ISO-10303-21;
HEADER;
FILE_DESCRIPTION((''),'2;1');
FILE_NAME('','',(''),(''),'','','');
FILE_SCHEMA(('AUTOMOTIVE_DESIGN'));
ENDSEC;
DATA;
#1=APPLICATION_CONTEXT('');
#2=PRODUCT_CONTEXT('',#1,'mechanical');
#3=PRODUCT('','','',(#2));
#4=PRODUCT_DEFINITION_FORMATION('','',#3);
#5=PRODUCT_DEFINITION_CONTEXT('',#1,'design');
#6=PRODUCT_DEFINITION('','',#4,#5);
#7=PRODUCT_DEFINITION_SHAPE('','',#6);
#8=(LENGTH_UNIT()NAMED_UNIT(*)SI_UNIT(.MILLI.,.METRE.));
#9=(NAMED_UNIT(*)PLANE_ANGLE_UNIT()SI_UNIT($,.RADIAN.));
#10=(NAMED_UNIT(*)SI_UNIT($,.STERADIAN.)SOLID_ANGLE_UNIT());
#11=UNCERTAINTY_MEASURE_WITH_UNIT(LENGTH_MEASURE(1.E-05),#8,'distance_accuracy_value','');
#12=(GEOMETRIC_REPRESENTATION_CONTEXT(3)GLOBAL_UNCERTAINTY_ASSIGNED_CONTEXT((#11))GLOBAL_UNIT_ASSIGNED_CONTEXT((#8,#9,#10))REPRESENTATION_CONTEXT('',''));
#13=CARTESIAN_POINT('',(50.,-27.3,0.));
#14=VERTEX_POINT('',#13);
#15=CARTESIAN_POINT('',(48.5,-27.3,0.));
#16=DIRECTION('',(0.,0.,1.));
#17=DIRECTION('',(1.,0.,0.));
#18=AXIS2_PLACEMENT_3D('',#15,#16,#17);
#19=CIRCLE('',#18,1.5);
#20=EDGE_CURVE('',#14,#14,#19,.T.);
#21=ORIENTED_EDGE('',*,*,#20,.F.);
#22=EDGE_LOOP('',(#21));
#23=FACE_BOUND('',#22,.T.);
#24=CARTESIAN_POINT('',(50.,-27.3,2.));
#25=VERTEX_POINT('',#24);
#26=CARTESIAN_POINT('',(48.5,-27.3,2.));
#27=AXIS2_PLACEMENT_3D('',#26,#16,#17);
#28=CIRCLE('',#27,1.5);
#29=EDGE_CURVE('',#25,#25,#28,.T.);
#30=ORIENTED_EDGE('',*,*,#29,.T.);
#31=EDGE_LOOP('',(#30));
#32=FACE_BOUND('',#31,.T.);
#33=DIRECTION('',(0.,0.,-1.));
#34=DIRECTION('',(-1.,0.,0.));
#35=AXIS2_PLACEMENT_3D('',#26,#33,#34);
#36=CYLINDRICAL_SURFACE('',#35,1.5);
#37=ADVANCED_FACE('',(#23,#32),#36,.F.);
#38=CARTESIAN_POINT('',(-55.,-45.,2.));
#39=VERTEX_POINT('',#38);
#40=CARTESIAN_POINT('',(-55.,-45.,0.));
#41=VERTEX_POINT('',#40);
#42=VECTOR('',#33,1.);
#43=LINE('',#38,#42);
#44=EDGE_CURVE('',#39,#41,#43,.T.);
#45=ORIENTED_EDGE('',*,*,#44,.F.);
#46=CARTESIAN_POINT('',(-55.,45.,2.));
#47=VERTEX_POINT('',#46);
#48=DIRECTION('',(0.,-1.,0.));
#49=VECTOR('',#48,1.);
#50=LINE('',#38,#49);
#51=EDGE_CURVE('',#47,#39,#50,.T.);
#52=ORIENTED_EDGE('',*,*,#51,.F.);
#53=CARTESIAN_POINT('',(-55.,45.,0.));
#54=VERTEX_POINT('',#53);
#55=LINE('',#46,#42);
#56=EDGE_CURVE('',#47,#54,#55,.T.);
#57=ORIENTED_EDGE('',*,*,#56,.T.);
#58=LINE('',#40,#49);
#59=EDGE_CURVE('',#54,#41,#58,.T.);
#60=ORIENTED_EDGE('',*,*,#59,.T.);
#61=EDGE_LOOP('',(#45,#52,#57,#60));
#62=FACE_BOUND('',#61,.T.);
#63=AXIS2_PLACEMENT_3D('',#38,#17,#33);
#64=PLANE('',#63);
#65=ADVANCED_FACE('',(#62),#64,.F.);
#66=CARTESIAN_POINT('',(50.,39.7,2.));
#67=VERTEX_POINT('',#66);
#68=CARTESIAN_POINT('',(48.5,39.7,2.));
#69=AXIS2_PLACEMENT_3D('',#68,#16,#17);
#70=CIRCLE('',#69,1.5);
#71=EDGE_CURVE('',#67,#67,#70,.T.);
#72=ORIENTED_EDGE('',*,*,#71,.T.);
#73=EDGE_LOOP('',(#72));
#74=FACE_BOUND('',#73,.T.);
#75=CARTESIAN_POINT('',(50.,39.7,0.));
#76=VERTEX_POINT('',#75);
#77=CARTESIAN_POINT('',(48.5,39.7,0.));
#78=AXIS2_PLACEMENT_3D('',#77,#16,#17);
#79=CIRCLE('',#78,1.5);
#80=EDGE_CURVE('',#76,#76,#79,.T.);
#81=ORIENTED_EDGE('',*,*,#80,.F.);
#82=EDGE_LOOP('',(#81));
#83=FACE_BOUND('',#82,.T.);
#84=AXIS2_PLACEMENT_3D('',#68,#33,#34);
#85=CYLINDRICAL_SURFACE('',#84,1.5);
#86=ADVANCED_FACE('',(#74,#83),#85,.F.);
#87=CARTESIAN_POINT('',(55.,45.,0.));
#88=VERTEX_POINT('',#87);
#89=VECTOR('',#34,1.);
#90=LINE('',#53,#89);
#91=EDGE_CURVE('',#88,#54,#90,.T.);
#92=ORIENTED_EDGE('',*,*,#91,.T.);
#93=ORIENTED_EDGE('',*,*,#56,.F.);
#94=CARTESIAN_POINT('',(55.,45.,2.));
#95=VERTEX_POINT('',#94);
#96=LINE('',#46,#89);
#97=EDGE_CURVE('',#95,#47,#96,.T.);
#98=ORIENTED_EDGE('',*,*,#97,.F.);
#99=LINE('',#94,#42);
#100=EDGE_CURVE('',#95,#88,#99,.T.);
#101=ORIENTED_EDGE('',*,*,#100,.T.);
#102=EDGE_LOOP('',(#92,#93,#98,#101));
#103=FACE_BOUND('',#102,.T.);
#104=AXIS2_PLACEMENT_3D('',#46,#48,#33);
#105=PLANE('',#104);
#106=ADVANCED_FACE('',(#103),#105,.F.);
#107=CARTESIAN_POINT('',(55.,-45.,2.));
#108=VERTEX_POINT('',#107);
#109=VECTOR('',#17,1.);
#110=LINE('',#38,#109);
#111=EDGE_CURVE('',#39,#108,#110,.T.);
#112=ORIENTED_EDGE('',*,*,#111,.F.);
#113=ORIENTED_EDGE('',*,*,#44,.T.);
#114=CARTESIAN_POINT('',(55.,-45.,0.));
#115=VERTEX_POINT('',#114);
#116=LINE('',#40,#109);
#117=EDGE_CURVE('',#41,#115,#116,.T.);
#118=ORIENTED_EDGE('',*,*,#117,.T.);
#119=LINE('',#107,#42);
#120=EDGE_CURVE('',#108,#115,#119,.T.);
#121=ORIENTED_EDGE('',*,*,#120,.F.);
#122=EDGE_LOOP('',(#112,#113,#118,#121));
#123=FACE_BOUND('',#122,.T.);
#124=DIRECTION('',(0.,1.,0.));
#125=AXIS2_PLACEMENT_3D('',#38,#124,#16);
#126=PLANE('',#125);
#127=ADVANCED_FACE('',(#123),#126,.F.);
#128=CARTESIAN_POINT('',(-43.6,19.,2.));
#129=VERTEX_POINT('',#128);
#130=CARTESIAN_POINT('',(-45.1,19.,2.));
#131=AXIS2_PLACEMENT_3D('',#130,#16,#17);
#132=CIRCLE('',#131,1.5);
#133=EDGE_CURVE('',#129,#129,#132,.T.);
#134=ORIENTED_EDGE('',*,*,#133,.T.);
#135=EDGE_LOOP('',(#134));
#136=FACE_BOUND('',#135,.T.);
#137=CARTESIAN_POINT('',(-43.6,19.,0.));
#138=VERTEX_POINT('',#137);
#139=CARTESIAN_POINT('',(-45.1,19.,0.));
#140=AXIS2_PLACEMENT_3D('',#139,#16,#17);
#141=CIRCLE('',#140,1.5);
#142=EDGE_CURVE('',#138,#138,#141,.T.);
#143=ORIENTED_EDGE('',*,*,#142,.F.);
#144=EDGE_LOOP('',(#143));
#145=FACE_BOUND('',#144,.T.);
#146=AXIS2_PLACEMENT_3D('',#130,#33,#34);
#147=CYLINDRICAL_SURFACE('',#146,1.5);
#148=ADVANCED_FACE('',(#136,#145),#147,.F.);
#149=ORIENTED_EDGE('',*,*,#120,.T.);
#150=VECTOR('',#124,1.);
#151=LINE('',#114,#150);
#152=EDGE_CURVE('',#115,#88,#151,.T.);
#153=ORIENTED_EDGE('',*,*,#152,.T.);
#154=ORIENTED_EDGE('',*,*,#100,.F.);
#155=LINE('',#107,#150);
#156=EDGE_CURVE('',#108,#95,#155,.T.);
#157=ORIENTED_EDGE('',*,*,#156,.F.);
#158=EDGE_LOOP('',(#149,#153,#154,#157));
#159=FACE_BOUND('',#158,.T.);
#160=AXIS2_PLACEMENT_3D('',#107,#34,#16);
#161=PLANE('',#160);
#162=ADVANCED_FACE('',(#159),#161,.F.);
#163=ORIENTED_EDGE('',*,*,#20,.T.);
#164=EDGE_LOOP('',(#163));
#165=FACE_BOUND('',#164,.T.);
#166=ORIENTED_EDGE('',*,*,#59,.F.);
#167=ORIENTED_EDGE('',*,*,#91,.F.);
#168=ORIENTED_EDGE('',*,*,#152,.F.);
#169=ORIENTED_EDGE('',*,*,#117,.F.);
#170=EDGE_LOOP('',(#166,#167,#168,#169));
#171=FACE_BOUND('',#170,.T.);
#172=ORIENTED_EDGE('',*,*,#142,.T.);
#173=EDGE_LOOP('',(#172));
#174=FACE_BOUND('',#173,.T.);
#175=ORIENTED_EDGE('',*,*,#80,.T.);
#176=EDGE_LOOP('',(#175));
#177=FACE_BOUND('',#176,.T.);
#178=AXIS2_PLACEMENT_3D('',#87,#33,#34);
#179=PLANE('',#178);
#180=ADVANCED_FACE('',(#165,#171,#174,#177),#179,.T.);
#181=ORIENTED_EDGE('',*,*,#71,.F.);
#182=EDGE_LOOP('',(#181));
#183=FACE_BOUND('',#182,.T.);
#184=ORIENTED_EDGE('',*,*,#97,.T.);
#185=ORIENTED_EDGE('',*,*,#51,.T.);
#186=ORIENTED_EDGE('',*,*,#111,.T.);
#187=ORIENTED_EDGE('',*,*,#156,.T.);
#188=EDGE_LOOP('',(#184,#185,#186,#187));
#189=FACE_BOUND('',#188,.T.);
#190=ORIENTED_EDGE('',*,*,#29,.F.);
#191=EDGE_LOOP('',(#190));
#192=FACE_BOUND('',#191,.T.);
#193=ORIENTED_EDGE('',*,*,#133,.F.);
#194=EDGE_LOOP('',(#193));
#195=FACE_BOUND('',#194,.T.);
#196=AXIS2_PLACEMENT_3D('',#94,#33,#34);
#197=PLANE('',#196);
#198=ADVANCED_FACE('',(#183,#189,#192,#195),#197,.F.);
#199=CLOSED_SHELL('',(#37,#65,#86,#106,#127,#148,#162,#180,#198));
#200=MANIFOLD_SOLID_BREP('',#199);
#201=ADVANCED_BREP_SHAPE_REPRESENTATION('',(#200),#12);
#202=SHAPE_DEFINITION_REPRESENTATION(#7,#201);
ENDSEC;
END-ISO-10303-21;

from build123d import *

# Parameters (mm, degrees)
ESQUISSE1_W        = 110
ESQUISSE1_H        = 90
ESQUISSE1_R        = 1.5
BOSS_EXTRU_1_DEPTH = 2


with BuildPart() as part:
    # Esquisse1 → Boss.-Extru.1 (new body)
    with BuildSketch(Plane.XY):
        Rectangle(ESQUISSE1_W, ESQUISSE1_H)
        with Locations((48.5, 39.7)):
            Circle(ESQUISSE1_R, mode=Mode.SUBTRACT)
        with Locations((-45.1, 19)):
            Circle(ESQUISSE1_R, mode=Mode.SUBTRACT)
        with Locations((48.5, -27.3)):
            Circle(ESQUISSE1_R, mode=Mode.SUBTRACT)
    extrude(amount=BOSS_EXTRU_1_DEPTH)


solid = part.part
